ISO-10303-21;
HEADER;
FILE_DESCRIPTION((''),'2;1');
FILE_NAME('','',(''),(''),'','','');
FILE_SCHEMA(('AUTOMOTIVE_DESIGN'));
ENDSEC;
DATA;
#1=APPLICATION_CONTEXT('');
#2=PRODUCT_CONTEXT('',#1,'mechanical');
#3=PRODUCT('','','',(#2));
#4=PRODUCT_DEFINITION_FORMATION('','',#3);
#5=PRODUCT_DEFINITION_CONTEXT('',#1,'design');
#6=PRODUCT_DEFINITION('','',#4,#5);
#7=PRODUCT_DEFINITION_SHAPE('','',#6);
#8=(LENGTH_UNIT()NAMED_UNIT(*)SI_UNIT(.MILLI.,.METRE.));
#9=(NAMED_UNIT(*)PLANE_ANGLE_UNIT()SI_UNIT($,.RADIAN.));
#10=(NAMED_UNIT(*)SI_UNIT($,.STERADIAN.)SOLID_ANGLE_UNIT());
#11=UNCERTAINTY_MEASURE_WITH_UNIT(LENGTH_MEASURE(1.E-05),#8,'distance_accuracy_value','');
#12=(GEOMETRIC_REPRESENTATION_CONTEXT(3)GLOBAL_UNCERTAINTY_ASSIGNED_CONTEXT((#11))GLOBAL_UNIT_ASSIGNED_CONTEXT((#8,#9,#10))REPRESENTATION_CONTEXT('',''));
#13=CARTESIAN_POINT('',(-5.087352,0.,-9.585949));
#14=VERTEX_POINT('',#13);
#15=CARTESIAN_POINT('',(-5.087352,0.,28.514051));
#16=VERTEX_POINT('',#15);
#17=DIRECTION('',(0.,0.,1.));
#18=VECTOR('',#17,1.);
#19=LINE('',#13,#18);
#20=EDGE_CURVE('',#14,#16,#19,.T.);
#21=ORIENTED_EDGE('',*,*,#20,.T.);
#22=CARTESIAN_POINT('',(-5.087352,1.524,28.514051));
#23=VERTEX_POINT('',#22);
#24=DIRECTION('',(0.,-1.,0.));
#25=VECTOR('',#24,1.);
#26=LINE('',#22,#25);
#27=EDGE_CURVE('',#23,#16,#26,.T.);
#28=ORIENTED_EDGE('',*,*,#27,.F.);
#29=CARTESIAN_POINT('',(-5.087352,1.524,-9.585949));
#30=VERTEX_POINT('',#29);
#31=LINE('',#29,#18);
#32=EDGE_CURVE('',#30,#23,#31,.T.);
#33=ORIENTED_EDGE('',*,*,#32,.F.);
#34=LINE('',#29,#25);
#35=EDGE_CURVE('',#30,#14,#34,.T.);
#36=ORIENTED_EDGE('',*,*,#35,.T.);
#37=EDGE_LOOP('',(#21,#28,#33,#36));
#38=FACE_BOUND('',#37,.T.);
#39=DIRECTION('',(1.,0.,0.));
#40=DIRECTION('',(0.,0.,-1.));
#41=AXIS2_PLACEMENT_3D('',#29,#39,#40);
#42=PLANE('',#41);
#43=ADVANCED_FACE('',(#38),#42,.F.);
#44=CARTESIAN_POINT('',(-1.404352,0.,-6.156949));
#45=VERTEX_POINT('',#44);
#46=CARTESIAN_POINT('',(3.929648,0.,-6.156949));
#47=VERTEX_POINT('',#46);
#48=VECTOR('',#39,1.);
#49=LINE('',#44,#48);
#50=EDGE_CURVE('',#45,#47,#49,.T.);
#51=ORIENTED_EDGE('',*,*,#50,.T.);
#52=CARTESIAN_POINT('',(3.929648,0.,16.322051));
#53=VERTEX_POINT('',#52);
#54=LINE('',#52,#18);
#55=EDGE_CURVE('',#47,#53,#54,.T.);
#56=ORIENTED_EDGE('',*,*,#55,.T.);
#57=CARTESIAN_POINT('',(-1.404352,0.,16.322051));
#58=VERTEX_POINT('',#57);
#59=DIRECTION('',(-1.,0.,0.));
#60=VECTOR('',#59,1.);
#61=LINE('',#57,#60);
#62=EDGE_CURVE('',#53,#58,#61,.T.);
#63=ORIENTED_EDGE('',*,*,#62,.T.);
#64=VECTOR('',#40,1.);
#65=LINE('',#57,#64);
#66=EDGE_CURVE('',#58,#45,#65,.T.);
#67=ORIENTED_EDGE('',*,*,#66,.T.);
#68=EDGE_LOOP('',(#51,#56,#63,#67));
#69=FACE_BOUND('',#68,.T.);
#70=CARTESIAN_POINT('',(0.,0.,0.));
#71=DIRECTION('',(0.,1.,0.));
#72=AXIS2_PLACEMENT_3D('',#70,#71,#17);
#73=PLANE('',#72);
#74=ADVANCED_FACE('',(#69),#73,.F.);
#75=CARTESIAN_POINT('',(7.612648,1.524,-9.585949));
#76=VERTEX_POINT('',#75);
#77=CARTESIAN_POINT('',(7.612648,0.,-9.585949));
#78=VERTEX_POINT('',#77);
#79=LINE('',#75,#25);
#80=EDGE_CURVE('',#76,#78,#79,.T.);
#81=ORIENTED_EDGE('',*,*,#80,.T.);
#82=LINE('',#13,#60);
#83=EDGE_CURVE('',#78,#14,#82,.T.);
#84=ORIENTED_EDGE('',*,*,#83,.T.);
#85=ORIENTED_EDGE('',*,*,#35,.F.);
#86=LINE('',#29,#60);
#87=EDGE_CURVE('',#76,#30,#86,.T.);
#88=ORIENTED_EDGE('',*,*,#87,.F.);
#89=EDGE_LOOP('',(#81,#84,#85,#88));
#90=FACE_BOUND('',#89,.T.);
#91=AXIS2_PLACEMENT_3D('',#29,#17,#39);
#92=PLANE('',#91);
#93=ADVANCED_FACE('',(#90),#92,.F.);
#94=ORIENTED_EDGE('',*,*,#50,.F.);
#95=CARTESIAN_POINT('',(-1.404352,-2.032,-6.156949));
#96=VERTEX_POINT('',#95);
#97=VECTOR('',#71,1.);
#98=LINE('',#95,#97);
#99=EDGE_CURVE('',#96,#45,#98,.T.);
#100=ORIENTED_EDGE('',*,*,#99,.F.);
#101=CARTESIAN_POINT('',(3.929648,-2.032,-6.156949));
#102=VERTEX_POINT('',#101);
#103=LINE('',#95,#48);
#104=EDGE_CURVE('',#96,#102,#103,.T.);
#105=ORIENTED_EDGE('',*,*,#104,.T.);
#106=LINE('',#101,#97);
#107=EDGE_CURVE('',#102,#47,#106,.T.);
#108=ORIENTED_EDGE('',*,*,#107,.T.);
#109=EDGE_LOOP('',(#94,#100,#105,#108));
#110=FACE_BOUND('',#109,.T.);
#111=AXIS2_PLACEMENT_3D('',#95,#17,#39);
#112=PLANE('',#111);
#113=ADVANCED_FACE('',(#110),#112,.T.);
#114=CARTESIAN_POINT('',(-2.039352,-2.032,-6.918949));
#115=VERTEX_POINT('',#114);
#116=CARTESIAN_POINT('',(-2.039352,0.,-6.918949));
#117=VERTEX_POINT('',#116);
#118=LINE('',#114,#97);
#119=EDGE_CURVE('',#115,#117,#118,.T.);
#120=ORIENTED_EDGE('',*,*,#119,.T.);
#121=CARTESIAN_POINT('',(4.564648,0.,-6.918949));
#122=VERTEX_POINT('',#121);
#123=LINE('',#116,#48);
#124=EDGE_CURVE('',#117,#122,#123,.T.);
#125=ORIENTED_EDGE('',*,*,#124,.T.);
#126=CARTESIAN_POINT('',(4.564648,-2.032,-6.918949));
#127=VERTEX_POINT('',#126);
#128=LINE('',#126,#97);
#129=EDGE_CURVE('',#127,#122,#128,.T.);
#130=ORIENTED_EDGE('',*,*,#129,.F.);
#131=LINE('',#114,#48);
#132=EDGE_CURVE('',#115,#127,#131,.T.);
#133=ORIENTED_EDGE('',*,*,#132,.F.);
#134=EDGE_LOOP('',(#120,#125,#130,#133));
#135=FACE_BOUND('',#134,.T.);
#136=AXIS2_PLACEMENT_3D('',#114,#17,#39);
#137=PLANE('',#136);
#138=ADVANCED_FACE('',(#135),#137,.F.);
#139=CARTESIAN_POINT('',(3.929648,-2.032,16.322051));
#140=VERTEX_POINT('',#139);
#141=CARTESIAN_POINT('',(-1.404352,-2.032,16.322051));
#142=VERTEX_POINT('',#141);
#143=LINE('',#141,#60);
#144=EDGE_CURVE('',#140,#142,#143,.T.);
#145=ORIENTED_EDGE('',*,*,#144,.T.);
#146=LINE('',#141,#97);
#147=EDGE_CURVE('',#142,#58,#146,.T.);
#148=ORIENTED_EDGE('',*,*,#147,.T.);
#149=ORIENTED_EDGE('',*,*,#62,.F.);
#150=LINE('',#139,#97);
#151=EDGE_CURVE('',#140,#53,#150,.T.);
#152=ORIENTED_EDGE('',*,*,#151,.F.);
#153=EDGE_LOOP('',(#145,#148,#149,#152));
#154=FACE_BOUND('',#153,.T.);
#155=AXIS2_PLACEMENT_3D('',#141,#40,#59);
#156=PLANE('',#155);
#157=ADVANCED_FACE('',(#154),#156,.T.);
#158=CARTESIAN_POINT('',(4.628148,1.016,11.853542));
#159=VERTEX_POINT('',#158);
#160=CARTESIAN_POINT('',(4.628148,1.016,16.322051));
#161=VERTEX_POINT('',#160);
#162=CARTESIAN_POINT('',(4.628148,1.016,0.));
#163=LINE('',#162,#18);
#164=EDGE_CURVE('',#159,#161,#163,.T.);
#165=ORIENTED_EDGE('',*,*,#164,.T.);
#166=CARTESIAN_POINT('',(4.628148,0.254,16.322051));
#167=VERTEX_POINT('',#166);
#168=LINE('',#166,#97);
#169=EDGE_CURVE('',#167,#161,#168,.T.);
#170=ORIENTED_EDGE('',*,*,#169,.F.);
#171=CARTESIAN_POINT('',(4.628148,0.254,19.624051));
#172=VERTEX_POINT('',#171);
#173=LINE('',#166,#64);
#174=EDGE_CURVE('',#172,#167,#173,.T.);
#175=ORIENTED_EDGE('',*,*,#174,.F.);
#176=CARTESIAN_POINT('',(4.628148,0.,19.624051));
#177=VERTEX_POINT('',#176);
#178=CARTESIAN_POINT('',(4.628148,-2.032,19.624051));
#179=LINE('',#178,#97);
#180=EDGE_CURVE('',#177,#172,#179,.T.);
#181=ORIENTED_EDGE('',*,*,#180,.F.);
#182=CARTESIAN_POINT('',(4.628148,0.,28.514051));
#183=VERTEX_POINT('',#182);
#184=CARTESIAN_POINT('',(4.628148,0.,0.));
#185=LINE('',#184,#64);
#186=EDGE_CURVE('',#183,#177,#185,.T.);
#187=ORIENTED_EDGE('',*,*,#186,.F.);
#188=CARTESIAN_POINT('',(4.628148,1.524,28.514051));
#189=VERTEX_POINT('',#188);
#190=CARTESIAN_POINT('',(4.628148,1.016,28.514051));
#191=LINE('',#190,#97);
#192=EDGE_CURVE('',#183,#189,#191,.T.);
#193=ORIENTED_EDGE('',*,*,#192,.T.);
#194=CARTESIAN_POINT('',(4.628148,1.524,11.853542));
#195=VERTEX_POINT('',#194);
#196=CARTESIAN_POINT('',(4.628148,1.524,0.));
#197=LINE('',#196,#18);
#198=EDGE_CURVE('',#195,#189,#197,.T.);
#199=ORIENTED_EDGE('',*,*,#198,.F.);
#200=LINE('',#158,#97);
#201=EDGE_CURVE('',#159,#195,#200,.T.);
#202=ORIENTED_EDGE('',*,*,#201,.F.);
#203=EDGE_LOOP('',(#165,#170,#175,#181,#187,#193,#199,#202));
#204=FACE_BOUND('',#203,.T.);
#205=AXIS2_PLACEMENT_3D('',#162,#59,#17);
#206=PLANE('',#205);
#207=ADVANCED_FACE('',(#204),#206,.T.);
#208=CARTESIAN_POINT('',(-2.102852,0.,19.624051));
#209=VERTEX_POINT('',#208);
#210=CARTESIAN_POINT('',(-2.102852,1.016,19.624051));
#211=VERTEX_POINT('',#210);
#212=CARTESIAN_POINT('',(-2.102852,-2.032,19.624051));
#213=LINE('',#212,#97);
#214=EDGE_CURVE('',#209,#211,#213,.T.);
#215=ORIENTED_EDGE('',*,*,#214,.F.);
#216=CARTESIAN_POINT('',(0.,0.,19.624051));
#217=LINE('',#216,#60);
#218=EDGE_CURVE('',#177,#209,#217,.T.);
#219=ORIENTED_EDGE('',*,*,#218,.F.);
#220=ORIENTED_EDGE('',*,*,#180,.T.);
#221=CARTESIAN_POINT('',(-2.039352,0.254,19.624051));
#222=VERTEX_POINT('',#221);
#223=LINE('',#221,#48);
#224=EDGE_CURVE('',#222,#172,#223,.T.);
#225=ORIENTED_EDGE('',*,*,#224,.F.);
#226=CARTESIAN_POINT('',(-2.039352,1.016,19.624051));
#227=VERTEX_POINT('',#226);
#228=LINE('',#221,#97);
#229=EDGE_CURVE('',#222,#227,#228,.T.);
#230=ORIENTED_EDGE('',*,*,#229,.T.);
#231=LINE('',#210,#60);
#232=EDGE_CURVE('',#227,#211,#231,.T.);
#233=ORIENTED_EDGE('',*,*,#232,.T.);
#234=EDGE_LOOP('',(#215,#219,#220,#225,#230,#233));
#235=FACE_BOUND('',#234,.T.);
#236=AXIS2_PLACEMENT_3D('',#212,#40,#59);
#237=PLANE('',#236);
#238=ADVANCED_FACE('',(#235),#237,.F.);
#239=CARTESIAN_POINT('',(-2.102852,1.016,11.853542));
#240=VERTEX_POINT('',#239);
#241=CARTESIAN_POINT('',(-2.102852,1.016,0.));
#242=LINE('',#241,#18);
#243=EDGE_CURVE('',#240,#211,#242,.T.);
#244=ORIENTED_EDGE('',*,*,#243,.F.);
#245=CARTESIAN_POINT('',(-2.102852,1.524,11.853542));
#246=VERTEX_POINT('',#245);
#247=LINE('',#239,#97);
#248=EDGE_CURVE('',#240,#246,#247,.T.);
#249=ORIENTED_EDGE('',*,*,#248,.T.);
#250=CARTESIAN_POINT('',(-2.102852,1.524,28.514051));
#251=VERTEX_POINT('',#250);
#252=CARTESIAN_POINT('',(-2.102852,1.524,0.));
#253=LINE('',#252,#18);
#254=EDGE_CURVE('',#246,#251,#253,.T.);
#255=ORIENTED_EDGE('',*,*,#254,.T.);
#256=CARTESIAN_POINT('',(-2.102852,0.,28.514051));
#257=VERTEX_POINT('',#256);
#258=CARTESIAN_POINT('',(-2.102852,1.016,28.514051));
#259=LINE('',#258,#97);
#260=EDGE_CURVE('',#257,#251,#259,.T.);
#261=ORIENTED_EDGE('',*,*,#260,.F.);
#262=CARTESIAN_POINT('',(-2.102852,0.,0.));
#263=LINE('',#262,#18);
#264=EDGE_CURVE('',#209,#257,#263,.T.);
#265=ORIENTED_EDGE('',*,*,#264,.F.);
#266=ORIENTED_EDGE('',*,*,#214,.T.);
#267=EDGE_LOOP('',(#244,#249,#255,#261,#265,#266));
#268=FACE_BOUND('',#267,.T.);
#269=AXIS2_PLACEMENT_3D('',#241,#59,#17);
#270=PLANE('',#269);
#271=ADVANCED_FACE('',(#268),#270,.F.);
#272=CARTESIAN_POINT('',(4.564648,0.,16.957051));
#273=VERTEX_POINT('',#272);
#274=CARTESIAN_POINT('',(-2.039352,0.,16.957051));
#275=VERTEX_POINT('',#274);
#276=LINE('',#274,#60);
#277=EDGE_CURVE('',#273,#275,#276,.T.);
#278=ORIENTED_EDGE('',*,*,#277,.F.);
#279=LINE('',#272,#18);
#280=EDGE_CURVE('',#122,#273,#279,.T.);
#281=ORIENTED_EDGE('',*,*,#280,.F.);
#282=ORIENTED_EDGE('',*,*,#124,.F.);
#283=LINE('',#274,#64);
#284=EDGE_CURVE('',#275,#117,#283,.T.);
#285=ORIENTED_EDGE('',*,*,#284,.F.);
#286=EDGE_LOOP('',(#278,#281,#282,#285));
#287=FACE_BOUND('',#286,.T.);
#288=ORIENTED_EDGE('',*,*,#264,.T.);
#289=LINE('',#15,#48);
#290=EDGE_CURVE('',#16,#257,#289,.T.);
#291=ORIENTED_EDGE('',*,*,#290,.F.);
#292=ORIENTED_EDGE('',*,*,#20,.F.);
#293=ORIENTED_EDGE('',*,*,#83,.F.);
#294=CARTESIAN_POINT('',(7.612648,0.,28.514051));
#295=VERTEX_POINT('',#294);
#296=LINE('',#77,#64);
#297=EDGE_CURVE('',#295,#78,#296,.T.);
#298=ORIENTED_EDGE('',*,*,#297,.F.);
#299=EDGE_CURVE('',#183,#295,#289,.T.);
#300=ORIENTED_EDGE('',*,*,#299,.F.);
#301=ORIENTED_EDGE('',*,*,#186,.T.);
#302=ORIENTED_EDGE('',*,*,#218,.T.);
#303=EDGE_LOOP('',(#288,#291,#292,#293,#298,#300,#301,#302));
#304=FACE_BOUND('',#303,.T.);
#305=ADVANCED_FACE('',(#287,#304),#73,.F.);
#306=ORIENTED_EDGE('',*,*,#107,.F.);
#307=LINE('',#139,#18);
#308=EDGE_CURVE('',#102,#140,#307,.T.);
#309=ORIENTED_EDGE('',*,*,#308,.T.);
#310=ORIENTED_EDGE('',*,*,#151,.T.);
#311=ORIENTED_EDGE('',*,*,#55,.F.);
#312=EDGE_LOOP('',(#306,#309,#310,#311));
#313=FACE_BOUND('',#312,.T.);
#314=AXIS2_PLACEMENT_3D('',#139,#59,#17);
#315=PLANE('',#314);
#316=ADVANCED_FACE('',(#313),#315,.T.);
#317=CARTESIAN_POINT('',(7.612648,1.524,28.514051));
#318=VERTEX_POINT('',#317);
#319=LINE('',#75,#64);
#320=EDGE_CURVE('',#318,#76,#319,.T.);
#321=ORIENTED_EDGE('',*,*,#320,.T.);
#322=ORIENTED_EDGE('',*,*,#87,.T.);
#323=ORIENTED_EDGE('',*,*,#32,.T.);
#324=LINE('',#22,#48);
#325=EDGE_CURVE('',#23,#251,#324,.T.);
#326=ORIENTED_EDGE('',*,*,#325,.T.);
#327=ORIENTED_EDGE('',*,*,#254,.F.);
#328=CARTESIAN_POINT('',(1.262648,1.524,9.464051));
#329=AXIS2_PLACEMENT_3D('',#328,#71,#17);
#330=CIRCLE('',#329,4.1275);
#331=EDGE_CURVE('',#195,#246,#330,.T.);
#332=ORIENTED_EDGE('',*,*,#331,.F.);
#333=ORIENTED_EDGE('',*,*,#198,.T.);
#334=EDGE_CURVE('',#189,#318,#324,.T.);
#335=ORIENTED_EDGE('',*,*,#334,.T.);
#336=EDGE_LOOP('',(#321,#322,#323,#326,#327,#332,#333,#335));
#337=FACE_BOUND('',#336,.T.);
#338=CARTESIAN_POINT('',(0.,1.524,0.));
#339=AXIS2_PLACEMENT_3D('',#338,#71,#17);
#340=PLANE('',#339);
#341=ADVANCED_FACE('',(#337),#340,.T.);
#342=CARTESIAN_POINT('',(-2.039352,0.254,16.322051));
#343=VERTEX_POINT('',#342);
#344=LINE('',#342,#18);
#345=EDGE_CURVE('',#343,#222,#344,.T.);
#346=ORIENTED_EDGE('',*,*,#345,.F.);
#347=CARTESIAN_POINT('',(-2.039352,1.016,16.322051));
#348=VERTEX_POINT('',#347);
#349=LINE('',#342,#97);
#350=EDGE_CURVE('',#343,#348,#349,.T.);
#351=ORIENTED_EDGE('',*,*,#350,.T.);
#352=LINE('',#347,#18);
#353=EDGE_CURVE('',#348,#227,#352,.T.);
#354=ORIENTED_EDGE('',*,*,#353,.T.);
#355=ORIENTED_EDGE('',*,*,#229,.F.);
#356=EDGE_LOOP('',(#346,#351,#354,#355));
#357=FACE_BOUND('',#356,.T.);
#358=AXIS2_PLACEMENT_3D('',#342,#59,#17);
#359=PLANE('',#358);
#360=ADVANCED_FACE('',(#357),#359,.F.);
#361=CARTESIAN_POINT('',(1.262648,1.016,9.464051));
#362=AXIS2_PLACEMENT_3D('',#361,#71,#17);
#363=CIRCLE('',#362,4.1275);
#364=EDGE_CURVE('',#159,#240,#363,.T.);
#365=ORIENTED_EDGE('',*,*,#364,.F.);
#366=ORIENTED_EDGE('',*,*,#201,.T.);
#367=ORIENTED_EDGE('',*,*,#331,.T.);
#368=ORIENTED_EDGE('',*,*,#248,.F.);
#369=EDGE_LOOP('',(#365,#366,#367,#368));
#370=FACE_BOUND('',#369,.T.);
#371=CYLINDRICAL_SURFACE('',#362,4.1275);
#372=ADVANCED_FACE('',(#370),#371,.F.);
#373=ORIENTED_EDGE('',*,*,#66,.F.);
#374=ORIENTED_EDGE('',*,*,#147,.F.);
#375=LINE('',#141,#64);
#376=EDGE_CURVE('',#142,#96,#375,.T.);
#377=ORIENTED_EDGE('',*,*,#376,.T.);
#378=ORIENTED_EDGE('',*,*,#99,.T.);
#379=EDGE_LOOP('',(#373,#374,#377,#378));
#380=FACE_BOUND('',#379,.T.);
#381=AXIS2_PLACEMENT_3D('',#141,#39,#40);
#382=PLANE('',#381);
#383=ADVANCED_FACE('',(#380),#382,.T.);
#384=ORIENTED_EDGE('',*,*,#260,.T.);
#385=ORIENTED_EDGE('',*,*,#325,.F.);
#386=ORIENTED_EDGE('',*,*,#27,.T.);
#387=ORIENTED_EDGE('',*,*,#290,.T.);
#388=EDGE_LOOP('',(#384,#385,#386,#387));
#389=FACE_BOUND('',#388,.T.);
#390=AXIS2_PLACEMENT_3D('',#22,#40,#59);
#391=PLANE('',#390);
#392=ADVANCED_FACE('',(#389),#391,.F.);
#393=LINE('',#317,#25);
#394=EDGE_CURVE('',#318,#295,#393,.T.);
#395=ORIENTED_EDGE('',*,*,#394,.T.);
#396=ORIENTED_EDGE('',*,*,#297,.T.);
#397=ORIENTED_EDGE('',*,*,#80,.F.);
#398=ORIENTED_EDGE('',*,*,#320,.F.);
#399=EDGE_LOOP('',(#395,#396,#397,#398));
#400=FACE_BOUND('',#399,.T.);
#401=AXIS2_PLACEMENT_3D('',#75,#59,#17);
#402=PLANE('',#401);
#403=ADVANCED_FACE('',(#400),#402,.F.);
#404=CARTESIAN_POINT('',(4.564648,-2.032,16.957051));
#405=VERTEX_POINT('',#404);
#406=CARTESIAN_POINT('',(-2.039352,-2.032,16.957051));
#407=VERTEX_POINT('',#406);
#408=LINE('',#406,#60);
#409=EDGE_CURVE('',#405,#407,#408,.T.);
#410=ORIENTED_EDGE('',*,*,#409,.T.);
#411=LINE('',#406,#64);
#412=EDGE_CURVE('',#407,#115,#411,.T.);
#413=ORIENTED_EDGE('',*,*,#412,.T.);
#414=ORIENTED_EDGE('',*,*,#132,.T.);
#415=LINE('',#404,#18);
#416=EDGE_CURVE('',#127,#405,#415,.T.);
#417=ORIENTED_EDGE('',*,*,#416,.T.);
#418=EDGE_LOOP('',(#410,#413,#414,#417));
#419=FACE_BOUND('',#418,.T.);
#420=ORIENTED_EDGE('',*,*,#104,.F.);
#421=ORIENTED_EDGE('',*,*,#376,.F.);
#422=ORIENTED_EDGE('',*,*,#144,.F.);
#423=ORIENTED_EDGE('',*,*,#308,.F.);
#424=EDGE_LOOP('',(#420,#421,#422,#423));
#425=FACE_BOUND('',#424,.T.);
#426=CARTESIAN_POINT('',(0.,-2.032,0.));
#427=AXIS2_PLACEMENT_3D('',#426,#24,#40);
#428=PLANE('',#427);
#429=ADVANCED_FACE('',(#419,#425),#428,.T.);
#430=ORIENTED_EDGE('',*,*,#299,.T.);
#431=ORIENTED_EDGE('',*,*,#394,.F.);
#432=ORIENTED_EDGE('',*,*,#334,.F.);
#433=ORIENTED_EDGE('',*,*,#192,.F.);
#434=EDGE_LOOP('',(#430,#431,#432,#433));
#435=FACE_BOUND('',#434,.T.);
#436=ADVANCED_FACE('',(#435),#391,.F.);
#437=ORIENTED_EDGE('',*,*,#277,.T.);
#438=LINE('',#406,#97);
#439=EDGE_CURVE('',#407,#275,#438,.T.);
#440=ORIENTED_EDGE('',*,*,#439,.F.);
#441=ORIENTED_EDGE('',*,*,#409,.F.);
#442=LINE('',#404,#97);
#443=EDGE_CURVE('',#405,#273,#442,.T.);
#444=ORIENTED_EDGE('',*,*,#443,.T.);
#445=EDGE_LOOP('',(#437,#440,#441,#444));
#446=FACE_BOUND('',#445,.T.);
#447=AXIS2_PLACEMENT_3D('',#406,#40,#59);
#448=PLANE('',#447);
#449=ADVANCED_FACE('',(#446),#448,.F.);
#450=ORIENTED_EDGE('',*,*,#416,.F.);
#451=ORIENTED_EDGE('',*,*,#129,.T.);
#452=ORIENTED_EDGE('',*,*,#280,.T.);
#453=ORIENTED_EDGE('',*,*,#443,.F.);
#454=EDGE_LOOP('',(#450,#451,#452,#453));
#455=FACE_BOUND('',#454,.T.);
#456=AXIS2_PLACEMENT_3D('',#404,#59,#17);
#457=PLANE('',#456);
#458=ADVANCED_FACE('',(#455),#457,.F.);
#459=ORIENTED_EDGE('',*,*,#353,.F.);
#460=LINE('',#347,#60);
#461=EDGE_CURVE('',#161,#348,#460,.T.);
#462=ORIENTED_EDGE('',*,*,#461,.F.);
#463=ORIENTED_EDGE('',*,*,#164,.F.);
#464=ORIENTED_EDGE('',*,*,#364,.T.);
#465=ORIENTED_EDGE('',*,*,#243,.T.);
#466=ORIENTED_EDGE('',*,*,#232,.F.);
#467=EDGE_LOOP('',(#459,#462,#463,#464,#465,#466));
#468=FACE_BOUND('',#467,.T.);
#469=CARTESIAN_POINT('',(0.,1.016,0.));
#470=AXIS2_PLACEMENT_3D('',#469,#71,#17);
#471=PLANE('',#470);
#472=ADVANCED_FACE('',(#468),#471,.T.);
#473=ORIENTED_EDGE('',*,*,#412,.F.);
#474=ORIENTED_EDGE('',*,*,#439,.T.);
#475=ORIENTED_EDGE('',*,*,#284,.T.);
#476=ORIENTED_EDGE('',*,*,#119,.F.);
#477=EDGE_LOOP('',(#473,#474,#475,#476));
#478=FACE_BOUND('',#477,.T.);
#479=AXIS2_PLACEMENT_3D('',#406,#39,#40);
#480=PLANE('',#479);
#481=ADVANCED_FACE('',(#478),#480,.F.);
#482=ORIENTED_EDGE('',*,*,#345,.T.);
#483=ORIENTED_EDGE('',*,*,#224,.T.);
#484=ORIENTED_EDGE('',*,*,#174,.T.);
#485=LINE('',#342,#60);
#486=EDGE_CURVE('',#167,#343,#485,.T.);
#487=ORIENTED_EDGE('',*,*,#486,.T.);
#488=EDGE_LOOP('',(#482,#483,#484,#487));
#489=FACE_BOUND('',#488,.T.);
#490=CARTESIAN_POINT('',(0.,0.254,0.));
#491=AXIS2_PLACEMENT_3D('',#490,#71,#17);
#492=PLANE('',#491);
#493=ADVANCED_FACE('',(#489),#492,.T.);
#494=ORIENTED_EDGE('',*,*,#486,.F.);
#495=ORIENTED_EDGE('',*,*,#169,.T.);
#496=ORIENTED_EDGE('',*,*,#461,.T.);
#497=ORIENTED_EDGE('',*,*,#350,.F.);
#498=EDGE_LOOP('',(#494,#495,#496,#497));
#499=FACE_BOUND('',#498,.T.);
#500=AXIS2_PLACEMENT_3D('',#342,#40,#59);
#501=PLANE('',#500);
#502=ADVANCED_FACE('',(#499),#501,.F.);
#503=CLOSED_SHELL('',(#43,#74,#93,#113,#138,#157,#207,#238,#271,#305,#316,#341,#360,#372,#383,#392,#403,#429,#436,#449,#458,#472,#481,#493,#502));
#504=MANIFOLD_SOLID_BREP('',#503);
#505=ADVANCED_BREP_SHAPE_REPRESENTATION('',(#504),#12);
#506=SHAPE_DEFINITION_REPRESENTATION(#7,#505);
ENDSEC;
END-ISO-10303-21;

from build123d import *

# Parameters (mm, degrees)
SKETCH1_W           = 12.7
SKETCH1_H           = 38.1
BOSS_EXTRUDE1_DEPTH = 1.524
SKETCH2_W           = 6.604
SKETCH2_H           = 23.876
SKETCH2_W_2         = 5.334
SKETCH2_H_2         = 22.479000001
BOSS_EXTRUDE2_DEPTH = 2.032
CUT_EXTRUDE2_DEPTH  = 0.508
SKETCH6_W           = 6.731
SKETCH6_H           = 8.89
CUT_EXTRUDE3_DEPTH  = 30.669746225
SKETCH7_W           = 6.6675
SKETCH7_H           = 3.302
CUT_EXTRUDE4_DEPTH  = 0.762


with BuildPart() as part:
    # Sketch1 → Boss-Extrude1 (new body)
    with BuildSketch(Plane(origin=(0, 0, 0), x_dir=(1, 0, 0), z_dir=(0, 1, 0))):
        with Locations((1.262648046, -9.464051393)):
            Rectangle(SKETCH1_W, SKETCH1_H)
    extrude(amount=BOSS_EXTRUDE1_DEPTH)

    # Sketch2 → Boss-Extrude2 (add)
    with BuildSketch(Plane.XZ):
        with Locations((1.262648046, 5.019051392)):
            Rectangle(SKETCH2_W, SKETCH2_H)
        with Locations((1.262648046, 5.082551393)):
            Rectangle(SKETCH2_W_2, SKETCH2_H_2, mode=Mode.SUBTRACT)
    extrude(amount=BOSS_EXTRUDE2_DEPTH)

    # Sketch5 → Cut-Extrude2 (cut)
    with BuildSketch(Plane(origin=(0, 1.524, 0), x_dir=(1, 0, 0), z_dir=(0, 1, 0))):
        with BuildLine():
            Line((-2.102851954, -11.853542133), (-2.102851954, -28.514051393))
            Line((-2.102851954, -28.514051393), (4.628148046, -28.514051393))
            Line((4.628148046, -28.514051393), (4.628148046, -11.853542133))
            ThreePointArc((4.628148046, -11.853542133), (1.262648045, -5.336551393), (-2.102851954, -11.853542134))
        make_face()
    extrude(amount=-CUT_EXTRUDE2_DEPTH, mode=Mode.SUBTRACT)

    # Sketch6 → Cut-Extrude3 (cut, through all)
    with BuildSketch(Plane(origin=(0, 1.016, 0), x_dir=(1, 0, 0), z_dir=(0, 1, 0))):
        with Locations((1.262648046, -24.069051393)):
            Rectangle(SKETCH6_W, SKETCH6_H)
    extrude(amount=-CUT_EXTRUDE3_DEPTH, mode=Mode.SUBTRACT)

    # Sketch7 → Cut-Extrude4 (cut)
    with BuildSketch(Plane(origin=(0, 1.016, 0), x_dir=(1, 0, 0), z_dir=(0, 1, 0))):
        with Locations((1.294398046, -17.973051393)):
            Rectangle(SKETCH7_W, SKETCH7_H)
    extrude(amount=-CUT_EXTRUDE4_DEPTH, mode=Mode.SUBTRACT)


solid = part.part
